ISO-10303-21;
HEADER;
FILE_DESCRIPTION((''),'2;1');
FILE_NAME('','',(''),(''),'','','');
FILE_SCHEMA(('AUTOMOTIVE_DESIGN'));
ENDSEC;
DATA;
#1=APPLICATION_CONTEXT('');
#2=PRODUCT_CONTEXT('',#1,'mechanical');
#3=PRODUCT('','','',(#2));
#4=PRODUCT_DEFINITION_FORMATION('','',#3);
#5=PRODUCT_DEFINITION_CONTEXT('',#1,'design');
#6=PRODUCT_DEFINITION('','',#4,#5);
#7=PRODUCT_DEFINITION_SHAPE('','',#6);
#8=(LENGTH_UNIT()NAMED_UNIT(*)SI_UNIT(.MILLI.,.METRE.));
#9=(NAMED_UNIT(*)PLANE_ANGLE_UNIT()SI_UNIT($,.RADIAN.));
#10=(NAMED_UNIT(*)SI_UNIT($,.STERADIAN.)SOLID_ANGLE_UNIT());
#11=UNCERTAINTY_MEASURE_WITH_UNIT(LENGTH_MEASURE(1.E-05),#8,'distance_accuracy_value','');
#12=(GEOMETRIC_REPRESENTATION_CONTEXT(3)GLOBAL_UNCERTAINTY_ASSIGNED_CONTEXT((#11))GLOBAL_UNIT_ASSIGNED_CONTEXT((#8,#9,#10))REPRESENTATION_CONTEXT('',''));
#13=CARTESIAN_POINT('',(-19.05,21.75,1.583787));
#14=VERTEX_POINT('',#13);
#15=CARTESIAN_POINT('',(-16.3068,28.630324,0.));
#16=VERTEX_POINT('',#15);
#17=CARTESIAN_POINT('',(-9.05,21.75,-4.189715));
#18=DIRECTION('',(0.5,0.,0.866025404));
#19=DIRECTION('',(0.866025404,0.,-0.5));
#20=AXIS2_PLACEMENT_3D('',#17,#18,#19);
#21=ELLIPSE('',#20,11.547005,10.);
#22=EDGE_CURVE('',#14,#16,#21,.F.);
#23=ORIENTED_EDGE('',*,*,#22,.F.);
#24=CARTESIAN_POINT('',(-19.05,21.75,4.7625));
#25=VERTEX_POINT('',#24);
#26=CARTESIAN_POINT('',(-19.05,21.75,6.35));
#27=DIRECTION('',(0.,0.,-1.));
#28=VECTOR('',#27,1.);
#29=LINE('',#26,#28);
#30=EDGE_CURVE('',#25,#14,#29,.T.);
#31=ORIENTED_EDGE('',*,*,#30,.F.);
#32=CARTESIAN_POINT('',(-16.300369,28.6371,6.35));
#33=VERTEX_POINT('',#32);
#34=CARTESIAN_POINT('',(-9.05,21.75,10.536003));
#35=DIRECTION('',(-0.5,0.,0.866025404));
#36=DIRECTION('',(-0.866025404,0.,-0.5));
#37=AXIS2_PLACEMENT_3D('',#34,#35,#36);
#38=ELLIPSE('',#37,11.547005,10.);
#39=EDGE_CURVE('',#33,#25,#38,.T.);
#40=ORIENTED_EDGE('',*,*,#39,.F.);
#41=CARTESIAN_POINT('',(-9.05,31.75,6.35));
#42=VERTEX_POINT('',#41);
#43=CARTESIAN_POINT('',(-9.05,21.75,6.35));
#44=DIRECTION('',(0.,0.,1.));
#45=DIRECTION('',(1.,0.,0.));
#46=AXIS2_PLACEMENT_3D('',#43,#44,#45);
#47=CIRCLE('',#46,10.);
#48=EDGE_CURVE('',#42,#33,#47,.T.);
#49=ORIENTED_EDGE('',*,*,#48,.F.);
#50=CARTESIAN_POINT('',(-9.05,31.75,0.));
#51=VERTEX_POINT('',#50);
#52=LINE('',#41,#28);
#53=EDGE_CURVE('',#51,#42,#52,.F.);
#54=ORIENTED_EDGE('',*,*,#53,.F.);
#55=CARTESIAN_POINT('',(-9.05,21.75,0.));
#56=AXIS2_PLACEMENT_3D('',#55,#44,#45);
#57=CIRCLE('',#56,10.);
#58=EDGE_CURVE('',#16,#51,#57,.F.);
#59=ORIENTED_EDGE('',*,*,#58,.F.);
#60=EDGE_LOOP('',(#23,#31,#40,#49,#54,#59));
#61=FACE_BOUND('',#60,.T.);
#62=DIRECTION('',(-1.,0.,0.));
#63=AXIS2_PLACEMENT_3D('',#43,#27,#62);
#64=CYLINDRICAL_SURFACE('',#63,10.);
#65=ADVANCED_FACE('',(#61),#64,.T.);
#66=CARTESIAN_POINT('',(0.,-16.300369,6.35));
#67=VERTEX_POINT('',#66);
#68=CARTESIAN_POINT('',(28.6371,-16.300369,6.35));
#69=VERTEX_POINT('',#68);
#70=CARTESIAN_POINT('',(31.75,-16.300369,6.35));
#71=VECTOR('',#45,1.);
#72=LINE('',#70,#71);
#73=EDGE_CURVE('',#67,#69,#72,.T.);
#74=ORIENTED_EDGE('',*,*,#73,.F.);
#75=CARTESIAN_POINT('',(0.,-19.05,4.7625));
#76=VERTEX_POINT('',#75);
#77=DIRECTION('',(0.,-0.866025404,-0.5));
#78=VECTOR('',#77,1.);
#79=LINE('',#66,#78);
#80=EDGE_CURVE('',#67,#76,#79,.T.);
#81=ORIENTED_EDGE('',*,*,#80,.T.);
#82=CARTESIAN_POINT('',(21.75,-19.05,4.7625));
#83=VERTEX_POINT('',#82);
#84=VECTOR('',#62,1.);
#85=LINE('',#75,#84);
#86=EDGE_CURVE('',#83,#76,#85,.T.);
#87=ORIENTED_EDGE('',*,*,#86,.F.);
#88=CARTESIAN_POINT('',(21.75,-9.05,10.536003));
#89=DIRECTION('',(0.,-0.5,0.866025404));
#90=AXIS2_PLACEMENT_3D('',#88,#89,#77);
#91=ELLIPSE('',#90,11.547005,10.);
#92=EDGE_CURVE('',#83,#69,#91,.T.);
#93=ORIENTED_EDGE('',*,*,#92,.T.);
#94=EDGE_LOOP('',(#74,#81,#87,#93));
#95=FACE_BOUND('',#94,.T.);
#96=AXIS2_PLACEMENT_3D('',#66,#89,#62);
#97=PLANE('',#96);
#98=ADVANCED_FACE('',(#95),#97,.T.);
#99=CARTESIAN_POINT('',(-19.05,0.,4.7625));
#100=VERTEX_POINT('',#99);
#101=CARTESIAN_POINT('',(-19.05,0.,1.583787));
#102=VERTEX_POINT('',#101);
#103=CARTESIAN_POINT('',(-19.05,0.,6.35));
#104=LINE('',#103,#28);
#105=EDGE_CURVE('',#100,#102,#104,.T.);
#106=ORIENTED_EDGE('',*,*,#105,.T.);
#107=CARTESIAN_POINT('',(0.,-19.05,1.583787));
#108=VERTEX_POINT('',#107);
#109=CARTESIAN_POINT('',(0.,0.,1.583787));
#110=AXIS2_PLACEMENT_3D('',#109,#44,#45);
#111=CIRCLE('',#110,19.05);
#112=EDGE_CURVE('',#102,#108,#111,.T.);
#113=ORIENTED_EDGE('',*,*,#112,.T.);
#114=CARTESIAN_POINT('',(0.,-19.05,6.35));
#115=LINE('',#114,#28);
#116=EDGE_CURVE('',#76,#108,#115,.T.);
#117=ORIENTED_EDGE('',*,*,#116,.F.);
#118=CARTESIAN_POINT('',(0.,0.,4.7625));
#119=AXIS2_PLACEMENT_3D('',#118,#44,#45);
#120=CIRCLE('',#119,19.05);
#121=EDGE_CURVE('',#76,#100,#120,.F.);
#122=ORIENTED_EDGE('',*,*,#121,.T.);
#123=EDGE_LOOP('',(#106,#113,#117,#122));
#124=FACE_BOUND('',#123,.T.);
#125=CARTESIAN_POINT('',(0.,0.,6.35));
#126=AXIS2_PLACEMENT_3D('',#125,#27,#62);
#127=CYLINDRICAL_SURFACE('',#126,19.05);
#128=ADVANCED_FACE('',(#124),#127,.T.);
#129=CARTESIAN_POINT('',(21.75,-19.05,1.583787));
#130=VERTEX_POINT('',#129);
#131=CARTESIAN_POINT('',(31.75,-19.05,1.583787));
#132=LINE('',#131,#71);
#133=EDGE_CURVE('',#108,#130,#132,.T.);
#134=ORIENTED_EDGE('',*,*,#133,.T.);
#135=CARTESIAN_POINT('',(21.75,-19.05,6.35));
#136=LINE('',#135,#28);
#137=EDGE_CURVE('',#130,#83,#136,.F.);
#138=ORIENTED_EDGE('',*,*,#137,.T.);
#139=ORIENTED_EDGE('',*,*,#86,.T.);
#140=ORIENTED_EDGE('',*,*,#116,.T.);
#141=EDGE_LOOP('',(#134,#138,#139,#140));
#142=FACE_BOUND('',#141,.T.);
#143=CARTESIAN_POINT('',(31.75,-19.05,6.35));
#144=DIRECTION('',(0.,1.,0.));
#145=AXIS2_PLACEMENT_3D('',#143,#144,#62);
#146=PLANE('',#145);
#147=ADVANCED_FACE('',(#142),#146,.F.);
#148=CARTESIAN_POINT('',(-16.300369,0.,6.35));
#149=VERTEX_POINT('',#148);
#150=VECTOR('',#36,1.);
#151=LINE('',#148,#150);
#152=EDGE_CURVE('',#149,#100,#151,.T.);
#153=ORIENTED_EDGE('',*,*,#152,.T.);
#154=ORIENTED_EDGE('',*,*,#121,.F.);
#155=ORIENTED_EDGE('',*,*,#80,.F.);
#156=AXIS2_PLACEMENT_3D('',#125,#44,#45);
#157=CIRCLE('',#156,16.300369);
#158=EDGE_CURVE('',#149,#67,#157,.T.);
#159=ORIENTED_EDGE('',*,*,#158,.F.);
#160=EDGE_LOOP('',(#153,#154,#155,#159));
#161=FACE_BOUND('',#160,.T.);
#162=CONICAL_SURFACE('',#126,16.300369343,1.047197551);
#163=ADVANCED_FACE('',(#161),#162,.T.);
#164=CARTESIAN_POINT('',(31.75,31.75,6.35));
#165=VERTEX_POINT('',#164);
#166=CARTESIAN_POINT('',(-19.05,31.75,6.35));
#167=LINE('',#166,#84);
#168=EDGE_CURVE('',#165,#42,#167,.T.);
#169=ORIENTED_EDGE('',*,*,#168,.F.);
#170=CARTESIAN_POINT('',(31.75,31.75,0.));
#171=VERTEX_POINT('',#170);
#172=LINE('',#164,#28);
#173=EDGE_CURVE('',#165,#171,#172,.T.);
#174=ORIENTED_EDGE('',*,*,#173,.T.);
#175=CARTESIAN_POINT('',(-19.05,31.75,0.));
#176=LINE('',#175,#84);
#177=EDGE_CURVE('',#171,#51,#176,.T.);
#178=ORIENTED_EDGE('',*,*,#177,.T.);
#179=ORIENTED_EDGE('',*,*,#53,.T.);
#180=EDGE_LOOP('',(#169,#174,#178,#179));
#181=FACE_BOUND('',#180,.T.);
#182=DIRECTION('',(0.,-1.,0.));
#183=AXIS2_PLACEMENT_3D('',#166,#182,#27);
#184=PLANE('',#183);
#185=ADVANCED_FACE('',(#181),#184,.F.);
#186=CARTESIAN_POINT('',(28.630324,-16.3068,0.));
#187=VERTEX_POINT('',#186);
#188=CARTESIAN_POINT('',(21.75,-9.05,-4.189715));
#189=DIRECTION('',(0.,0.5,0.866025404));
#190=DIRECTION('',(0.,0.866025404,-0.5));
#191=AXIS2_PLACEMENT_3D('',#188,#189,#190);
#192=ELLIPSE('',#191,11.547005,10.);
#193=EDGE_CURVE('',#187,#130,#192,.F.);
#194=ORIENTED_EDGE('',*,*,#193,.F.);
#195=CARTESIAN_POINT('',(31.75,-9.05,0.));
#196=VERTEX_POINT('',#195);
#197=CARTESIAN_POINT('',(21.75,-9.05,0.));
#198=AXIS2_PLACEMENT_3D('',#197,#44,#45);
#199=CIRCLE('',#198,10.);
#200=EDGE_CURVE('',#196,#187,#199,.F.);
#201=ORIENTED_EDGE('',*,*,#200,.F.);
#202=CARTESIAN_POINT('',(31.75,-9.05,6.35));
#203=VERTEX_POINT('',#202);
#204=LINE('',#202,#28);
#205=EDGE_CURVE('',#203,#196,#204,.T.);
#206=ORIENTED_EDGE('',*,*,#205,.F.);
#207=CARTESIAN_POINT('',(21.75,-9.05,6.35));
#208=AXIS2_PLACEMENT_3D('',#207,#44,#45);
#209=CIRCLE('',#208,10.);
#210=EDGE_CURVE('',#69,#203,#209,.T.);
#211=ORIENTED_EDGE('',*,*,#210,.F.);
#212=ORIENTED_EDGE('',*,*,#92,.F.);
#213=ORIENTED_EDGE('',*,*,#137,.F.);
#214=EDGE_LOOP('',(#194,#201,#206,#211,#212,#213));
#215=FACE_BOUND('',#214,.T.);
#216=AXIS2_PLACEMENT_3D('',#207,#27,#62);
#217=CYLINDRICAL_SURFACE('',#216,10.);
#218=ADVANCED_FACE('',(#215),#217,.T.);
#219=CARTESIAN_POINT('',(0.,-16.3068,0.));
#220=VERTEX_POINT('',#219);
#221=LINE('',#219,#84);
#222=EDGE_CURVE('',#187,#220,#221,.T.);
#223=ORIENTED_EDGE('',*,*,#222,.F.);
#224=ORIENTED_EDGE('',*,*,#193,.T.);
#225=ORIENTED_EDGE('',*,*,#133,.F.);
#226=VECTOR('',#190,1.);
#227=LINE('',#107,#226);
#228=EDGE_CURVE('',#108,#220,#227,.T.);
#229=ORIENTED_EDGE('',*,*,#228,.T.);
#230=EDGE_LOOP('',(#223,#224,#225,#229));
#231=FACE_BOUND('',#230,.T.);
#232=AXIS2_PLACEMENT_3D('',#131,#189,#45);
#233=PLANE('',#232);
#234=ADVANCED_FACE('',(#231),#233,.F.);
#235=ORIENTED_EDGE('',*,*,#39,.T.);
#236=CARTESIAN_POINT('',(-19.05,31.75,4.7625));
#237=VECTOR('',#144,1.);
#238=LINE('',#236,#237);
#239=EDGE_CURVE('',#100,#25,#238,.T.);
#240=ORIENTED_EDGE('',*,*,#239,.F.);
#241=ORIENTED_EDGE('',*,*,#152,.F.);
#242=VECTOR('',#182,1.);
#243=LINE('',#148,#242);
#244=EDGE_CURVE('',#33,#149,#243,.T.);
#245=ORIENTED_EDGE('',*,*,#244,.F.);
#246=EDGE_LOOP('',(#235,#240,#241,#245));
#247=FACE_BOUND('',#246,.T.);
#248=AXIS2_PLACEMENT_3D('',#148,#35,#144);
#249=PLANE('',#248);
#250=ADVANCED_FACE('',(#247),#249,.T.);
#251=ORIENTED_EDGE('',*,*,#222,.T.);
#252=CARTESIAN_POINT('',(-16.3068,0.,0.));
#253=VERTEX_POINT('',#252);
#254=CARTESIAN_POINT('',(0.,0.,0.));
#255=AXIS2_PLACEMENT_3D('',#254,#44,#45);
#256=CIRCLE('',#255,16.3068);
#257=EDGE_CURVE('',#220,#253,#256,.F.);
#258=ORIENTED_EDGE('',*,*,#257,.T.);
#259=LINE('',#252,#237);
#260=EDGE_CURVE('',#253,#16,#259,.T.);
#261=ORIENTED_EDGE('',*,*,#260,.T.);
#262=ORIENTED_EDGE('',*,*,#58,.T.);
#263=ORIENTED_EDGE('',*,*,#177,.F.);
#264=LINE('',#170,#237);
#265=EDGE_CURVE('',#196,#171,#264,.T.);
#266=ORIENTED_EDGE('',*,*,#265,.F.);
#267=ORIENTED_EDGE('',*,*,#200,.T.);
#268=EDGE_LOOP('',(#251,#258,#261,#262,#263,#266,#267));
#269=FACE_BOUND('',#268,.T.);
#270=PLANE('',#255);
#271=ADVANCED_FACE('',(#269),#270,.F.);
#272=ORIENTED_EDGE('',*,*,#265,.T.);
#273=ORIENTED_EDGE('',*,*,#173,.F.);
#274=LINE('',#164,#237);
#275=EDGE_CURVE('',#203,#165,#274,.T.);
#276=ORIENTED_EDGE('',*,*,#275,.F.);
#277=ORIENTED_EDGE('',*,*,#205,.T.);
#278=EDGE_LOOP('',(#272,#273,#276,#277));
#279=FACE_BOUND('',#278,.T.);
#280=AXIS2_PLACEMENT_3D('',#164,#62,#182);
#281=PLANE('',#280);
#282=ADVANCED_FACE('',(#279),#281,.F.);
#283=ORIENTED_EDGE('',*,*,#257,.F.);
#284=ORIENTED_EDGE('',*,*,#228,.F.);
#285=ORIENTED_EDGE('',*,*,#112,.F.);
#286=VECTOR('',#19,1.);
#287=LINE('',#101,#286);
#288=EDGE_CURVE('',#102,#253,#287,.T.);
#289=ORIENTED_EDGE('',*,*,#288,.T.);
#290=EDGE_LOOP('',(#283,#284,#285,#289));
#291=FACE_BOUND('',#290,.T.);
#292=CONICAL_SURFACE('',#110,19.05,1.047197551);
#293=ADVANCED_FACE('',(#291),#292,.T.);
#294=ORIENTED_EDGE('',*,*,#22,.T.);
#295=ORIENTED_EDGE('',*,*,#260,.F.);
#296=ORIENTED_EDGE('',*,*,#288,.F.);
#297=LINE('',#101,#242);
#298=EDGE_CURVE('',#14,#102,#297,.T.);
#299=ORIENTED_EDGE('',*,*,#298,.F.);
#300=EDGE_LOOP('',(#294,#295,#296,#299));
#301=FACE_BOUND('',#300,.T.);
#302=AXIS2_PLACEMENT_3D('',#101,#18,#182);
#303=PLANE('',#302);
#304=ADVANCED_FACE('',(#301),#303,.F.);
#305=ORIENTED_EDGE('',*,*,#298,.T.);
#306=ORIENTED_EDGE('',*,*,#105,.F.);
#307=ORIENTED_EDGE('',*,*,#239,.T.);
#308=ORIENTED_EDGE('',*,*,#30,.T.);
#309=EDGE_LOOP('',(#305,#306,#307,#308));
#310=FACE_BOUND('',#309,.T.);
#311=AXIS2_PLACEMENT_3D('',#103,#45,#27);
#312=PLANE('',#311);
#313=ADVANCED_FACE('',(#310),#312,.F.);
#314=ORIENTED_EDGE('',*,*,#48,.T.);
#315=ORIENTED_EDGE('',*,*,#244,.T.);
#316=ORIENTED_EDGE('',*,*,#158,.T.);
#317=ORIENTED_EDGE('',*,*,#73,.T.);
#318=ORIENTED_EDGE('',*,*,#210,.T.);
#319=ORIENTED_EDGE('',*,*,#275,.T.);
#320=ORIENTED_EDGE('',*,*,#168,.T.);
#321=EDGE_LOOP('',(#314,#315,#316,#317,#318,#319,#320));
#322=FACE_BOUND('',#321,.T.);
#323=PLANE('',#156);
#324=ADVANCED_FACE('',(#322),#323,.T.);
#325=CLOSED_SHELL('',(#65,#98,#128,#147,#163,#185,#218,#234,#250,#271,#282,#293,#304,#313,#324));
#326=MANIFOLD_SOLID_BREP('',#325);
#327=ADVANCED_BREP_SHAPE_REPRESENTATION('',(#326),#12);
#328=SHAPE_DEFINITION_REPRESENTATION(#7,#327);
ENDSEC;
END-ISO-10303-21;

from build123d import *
from OCP.BRepFilletAPI import BRepFilletAPI_MakeChamfer

# Parameters (mm, degrees)
BOSS_EXTRUDE1_DEPTH = 6.35
CHAMFER1_SIZE       = 1.5875
CHAMFER1_SIZE2      = 2.749630657
CHAMFER2_SIZE       = 2.7432
CHAMFER2_SIZE2      = 1.583787258
FILLET1_R           = 10


with BuildPart() as part:
    # Sketch1 → Boss-Extrude1 (new body)
    with BuildSketch(Plane.XY):
        with BuildLine():
            Line((-19.05, 0), (-19.05, 31.75))
            Line((-19.05, 31.75), (31.75, 31.75))
            Line((31.75, 31.75), (31.75, -19.05))
            Line((31.75, -19.05), (0, -19.05))
            ThreePointArc((0, -19.05), (-13.470384182, -13.470384182), (-19.05, 0))
        make_face()
    extrude(amount=BOSS_EXTRUDE1_DEPTH)

    # Chamfer1: one chamfer whose edges measure the first distance from different faces: ONE call of the kernel's chamfer builder (chamfer() names one face for all edges)
    chamfer1_edges_1 = [part.edges().sort_by_distance(p)[0] for p in [
        (-19.05, 15.875, 6.35),
    ]]
    chamfer1_side_1 = [part.faces().sort_by_distance(p)[0] for p in [
        (-19.05, 15.875, 3.175),
    ]]
    chamfer1_edges_2 = [part.edges().sort_by_distance(p)[0] for p in [
        (-13.470384182, -13.470384182, 6.35),
    ]]
    chamfer1_side_2 = [part.faces().sort_by_distance(p)[0] for p in [
        (-13.470384182, -13.470384182, 3.175),
    ]]
    chamfer1_edges_3 = [part.edges().sort_by_distance(p)[0] for p in [
        (15.875, -19.05, 6.35),
    ]]
    chamfer1_side_3 = [part.faces().sort_by_distance(p)[0] for p in [
        (15.875, -19.05, 3.175),
    ]]
    chamfer1 = BRepFilletAPI_MakeChamfer(part.part.solid().wrapped)
    for e in chamfer1_edges_1:
        chamfer1.Add(CHAMFER1_SIZE, CHAMFER1_SIZE2, e.wrapped, chamfer1_side_1[0].wrapped)  # the first distance lies on this face
    for e in chamfer1_edges_2:
        chamfer1.Add(CHAMFER1_SIZE, CHAMFER1_SIZE2, e.wrapped, chamfer1_side_2[0].wrapped)  # the first distance lies on this face
    for e in chamfer1_edges_3:
        chamfer1.Add(CHAMFER1_SIZE, CHAMFER1_SIZE2, e.wrapped, chamfer1_side_3[0].wrapped)  # the first distance lies on this face
    add(Compound.cast(chamfer1.Shape()), mode=Mode.REPLACE)

    # Chamfer2
    chamfer2_edges = [part.edges().sort_by_distance(p)[0] for p in [
        (-19.05, 15.875, 0),
        (15.875, -19.05, 0),
        (-13.470384182, -13.470384182, 0),
    ]]
    chamfer2_side = [part.faces().sort_by_distance(p)[0] for p in [
        (7.007973691, 7.007973691, 0),
    ]]
    chamfer(chamfer2_edges, length=CHAMFER2_SIZE, length2=CHAMFER2_SIZE2, reference=chamfer2_side[0])

    # Fillet1
    fillet1_edges = [part.edges().sort_by_distance(p)[0] for p in [
        (31.75, -19.05, 3.173143629),
        (-19.05, 31.75, 3.173143629),
    ]]
    fillet(fillet1_edges, radius=FILLET1_R)


solid = part.part
